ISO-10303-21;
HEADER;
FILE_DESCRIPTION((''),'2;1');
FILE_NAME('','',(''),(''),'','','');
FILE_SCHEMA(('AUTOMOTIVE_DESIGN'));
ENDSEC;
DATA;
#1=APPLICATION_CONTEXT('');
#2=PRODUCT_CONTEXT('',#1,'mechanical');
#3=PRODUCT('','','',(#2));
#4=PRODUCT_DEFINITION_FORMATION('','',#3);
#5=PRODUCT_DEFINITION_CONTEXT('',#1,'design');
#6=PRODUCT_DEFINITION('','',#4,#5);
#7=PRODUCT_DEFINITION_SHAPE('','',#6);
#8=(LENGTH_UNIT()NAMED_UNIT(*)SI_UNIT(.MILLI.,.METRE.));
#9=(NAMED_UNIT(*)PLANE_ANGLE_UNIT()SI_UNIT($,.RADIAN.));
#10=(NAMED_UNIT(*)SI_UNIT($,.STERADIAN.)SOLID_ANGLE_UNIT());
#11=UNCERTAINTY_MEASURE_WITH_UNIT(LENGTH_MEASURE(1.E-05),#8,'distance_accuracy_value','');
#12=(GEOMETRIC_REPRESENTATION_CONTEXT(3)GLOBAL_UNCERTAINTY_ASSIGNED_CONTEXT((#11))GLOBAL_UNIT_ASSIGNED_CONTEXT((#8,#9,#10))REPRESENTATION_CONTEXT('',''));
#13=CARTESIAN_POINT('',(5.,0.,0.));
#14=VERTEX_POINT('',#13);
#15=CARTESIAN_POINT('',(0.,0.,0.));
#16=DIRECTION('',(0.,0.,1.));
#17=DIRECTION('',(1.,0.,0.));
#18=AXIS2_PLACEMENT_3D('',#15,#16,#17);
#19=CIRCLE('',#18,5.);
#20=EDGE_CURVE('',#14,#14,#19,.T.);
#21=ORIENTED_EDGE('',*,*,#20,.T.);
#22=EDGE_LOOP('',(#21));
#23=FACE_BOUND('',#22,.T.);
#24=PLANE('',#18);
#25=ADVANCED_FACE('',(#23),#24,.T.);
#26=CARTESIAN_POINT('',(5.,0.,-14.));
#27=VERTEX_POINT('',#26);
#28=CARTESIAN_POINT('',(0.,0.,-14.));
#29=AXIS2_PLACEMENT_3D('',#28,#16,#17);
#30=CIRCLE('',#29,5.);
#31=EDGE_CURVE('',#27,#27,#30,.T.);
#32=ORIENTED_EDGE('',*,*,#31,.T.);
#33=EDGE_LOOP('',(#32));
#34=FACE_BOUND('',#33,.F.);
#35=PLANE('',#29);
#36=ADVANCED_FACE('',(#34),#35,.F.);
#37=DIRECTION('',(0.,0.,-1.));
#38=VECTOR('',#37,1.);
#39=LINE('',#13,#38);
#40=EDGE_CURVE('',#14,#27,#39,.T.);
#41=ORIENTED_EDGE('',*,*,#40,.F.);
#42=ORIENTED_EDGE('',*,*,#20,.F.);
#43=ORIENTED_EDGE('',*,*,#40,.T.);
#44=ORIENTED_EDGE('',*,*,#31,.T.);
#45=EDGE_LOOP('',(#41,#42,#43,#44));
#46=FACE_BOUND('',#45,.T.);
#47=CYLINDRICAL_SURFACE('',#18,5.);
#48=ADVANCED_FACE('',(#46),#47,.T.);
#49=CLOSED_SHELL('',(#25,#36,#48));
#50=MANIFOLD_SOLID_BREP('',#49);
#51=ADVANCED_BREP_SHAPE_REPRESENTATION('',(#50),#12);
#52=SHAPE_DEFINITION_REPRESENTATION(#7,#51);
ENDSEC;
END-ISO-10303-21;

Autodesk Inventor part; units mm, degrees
ref_plane "YZ Plane" through (0, 0, 0) normal (1, 0, 0) x (0, 1, 0)
ref_plane "XZ Plane" through (0, 0, 0) normal (0, 1, 0) x (-1, 0, 0)
sketch "Sketch1" plane through (0, 0, 0) normal (0, 0, 1) x (1, 0, 0)
  circle A0 centre (0, 0) radius 5 projected
  circle A1 centre (0, 0) radius 5
  point P0 (0, 0)
ref_plane "Work Plane1" through (-10, -10, -14) normal (0, 0, -1) x (0, 1, 0)
extrude "Extrusion1" add sketch "Sketch1" against normal up to surface (14 mm away)
properties material "Iron, Cast"
